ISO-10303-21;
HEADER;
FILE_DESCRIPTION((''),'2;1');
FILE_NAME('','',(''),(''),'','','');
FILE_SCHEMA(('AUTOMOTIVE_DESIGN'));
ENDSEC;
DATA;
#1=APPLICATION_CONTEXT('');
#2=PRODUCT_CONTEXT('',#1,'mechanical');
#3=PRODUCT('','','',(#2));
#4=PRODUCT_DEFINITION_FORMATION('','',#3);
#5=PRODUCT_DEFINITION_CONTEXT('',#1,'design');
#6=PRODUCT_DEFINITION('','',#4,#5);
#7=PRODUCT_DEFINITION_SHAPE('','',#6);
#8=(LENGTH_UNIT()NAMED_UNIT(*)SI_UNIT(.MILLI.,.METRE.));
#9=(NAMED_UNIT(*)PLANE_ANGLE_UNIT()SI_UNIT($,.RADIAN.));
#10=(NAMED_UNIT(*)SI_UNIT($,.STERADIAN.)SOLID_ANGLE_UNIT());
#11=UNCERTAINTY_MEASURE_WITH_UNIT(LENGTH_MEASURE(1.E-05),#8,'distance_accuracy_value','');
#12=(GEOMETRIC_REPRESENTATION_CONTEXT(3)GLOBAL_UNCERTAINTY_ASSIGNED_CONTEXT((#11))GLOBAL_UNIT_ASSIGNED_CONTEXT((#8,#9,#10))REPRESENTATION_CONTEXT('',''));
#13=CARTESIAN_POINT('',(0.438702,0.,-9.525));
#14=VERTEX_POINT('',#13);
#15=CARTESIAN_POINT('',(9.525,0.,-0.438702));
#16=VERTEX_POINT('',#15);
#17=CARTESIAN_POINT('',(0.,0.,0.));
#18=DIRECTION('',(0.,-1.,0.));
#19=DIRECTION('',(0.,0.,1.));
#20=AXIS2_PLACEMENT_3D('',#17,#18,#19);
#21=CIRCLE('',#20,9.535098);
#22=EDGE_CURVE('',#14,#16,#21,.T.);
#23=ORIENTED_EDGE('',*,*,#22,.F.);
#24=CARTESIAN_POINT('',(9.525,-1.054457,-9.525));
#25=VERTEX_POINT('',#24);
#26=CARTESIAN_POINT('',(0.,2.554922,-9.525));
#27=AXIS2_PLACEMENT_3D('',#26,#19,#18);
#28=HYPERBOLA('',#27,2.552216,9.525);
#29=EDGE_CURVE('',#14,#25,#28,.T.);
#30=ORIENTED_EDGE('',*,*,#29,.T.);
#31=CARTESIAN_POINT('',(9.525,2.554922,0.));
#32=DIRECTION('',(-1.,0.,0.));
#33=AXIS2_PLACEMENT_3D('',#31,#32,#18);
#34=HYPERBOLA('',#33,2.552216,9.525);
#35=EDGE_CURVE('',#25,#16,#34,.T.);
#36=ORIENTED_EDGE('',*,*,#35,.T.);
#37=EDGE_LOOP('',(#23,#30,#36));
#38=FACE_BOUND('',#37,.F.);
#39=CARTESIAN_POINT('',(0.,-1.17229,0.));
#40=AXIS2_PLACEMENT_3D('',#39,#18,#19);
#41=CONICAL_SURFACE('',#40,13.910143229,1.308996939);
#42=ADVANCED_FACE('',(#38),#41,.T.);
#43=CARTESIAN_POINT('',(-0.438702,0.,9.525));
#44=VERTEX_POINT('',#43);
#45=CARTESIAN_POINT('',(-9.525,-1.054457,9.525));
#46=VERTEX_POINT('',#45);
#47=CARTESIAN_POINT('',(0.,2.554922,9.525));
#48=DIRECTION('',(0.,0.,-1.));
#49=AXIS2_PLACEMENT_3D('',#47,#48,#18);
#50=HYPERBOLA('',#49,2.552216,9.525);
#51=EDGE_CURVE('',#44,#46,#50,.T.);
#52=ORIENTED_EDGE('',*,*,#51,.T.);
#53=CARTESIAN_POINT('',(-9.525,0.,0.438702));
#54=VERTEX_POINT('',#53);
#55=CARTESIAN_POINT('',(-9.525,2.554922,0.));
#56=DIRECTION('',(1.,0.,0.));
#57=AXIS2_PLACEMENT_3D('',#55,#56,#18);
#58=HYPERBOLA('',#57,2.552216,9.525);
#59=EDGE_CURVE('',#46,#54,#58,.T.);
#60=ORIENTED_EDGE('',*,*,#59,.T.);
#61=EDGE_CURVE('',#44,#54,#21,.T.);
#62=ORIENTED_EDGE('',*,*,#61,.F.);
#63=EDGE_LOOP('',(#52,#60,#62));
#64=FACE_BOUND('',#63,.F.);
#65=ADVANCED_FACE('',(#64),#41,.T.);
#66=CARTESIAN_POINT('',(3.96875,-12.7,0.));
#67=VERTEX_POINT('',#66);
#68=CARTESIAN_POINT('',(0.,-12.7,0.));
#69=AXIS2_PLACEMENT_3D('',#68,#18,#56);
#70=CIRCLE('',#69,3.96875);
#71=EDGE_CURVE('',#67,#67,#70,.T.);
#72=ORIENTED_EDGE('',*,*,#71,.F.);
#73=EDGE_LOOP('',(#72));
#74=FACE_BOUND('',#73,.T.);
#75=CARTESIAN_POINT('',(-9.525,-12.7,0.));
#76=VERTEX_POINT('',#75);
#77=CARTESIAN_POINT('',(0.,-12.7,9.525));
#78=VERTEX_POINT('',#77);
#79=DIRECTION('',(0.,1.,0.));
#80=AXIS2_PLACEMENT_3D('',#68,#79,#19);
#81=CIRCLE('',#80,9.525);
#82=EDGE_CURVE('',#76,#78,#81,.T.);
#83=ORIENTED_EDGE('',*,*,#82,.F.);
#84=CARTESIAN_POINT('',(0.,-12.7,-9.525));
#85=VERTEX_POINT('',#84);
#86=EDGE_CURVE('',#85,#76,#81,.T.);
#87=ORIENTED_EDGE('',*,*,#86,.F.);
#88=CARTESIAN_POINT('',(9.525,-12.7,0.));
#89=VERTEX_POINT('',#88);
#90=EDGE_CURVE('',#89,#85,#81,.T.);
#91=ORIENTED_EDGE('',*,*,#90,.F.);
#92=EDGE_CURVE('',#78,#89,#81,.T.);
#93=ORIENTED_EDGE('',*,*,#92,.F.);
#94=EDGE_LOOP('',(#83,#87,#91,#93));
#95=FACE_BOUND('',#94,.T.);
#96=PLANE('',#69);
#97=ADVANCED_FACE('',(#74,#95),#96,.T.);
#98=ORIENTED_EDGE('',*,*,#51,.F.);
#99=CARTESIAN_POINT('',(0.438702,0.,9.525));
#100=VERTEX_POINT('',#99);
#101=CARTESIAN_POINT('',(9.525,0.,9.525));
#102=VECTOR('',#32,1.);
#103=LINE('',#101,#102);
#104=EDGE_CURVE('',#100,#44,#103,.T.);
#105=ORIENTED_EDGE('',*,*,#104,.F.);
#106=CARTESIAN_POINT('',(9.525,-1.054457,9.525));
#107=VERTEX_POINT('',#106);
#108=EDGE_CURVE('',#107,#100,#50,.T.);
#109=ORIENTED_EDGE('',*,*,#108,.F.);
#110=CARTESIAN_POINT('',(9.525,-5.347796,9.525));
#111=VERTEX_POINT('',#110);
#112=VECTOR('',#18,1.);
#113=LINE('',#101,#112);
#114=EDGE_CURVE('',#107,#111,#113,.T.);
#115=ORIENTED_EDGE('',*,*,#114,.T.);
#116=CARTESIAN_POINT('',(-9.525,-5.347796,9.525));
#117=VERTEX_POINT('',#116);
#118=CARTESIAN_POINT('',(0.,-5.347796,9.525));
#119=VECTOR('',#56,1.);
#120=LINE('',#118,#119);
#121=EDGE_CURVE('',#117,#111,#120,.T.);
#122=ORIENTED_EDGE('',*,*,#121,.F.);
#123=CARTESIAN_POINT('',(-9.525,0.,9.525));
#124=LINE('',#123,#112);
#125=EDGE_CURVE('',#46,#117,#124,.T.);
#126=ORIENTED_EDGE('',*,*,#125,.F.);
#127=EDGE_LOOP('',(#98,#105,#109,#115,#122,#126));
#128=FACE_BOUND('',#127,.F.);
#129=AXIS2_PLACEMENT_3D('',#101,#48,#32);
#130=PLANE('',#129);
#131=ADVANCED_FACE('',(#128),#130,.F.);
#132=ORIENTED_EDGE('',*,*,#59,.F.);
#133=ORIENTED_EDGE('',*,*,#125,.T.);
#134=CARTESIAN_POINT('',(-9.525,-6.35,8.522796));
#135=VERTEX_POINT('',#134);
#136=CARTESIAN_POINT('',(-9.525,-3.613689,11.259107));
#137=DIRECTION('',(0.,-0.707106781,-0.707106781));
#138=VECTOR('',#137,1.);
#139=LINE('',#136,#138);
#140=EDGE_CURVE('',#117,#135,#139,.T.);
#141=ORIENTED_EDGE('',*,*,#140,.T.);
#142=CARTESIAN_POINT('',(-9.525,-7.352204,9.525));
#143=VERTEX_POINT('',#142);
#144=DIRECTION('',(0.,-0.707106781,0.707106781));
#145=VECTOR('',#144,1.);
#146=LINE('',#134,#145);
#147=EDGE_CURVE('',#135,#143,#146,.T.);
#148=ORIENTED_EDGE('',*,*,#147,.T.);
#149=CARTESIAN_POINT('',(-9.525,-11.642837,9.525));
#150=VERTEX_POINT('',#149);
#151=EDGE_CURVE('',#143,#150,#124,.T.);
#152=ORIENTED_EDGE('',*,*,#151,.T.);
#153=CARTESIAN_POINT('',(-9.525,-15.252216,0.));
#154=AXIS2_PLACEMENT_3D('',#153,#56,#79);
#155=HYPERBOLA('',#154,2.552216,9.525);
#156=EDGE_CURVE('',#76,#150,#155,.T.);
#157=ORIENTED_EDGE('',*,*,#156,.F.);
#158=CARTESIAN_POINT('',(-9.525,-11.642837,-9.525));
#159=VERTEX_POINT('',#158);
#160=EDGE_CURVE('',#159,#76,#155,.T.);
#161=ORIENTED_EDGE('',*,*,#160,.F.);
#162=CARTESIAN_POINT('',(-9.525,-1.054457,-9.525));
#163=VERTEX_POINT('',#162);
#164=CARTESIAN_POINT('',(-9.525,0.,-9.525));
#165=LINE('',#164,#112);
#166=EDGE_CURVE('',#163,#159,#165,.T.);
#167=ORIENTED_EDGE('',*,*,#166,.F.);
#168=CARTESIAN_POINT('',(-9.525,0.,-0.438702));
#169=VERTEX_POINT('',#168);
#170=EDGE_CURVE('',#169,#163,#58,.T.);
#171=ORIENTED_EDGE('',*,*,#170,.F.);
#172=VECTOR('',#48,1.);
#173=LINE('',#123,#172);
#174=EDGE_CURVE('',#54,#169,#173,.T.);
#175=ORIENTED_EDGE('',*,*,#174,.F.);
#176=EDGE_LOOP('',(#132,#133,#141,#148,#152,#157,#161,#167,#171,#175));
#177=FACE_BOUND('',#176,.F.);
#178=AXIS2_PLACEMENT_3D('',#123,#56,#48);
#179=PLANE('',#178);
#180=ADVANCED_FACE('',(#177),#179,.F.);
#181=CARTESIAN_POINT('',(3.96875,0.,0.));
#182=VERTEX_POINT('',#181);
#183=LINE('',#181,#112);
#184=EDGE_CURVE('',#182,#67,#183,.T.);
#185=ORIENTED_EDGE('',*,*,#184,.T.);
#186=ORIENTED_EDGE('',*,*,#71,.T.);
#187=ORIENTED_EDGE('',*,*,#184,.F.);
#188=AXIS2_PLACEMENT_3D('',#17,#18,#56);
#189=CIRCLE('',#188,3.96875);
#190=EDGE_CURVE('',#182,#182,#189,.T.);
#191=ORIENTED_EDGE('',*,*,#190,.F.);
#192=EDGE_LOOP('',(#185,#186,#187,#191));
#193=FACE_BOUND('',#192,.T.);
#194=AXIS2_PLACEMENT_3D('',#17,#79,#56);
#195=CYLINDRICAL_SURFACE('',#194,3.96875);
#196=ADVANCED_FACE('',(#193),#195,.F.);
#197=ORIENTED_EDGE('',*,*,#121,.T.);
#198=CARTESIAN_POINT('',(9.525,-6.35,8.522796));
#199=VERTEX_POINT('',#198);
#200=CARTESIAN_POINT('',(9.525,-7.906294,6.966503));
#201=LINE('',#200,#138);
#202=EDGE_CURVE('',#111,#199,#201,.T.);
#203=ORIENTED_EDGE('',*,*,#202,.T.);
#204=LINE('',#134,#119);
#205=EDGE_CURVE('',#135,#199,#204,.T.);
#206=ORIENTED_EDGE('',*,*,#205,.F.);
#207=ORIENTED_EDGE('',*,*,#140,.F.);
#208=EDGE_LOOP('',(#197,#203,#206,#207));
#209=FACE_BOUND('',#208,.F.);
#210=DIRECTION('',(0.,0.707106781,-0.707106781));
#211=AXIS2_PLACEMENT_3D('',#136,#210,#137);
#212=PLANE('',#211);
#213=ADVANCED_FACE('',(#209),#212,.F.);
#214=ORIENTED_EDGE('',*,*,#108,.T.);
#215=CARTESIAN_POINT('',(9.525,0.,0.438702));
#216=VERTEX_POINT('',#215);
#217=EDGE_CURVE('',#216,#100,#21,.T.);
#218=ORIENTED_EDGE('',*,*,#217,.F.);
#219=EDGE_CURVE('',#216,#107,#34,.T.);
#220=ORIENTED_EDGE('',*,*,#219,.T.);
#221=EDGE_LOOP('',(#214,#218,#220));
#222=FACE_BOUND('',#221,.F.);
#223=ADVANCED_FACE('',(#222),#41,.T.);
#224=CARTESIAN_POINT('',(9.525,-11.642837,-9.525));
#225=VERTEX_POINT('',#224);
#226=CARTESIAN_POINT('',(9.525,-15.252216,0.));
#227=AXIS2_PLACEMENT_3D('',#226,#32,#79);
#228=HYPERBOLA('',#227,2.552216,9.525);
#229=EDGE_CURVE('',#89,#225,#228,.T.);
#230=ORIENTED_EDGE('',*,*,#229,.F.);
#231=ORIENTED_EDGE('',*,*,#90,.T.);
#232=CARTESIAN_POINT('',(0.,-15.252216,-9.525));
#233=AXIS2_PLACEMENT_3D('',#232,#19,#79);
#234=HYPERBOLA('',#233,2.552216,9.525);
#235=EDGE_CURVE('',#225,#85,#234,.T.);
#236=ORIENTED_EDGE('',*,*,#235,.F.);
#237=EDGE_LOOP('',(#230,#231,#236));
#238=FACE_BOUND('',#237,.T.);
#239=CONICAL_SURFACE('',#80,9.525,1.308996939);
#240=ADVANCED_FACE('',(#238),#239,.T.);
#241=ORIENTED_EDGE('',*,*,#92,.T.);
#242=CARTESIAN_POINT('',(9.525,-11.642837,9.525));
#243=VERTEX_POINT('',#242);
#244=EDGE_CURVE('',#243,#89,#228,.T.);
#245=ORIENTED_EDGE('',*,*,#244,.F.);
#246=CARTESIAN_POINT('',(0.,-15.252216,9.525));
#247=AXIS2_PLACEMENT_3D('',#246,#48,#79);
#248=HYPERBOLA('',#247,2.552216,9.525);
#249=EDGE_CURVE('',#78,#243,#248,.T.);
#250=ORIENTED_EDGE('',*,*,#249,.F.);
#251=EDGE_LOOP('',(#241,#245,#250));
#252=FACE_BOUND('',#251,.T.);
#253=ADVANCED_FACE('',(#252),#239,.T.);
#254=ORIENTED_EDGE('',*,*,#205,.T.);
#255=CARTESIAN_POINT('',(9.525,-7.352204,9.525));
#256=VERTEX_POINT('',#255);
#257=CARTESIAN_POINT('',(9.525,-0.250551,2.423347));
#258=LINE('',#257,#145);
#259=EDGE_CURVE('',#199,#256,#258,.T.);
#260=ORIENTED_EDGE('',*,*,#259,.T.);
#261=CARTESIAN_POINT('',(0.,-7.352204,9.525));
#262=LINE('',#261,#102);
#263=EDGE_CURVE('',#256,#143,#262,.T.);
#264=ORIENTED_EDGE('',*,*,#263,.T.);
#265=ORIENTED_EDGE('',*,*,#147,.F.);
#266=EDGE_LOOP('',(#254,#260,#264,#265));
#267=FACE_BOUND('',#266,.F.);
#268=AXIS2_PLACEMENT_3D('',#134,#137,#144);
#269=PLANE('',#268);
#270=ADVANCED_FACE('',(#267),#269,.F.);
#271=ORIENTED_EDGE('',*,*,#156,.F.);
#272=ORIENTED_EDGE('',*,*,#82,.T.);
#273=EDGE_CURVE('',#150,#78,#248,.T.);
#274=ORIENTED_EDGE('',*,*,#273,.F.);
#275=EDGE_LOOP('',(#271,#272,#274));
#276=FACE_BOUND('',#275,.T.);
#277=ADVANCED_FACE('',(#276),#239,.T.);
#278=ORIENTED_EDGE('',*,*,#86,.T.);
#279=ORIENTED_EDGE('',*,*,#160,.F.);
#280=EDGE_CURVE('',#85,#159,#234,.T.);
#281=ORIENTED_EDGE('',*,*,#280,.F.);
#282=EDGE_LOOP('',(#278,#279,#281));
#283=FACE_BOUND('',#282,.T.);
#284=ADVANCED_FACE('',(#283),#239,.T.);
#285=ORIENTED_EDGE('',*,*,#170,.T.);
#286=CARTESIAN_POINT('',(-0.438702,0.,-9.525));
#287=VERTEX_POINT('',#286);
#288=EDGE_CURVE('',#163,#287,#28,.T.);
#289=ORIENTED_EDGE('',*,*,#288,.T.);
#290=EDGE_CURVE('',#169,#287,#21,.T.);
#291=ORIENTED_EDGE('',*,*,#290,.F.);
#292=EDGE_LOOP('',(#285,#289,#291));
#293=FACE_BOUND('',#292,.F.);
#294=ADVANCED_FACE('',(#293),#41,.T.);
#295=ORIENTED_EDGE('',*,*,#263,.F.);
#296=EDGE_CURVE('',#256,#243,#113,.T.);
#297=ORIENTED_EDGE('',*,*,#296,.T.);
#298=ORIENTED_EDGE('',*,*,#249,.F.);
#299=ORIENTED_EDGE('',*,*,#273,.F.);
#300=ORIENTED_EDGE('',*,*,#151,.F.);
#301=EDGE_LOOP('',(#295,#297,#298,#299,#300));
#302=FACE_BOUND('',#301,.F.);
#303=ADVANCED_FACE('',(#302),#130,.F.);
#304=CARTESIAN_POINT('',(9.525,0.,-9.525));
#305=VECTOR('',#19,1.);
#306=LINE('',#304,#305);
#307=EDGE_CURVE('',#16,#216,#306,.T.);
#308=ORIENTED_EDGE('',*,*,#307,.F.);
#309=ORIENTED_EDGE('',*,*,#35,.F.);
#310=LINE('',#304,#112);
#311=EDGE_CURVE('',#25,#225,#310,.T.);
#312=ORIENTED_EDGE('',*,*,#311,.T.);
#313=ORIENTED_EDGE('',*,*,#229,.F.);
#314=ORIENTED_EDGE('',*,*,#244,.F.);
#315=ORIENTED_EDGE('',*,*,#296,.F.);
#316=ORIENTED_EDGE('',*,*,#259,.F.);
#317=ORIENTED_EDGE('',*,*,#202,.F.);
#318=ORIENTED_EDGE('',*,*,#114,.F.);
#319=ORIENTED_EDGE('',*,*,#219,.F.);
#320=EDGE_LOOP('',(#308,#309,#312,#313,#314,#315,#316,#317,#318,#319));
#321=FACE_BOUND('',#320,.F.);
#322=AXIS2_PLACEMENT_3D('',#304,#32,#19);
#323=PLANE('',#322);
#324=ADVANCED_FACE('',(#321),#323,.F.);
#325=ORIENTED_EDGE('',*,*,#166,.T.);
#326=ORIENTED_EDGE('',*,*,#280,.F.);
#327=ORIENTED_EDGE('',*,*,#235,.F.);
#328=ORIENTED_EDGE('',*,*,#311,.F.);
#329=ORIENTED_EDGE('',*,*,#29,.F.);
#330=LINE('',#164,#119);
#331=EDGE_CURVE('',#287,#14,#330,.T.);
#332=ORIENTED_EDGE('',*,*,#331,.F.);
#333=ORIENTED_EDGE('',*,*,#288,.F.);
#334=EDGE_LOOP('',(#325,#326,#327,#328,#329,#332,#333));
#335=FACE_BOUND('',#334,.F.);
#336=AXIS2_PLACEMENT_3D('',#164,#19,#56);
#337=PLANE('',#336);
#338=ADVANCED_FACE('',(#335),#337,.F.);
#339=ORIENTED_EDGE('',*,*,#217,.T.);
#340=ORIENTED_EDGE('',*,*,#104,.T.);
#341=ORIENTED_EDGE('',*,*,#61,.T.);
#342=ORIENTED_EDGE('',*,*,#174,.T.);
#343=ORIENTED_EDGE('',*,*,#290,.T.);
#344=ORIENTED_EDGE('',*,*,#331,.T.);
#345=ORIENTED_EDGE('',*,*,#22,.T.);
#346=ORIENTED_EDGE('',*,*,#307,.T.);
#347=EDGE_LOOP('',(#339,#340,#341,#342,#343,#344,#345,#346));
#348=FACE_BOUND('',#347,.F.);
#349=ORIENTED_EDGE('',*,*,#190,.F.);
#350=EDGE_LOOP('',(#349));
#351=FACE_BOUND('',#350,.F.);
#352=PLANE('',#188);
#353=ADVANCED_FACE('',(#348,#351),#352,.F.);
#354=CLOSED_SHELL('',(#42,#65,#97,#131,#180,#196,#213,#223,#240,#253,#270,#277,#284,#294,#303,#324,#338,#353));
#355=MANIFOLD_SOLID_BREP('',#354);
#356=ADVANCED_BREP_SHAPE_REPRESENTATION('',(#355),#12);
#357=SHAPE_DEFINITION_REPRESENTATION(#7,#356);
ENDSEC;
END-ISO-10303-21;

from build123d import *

# Parameters (mm, degrees)
F0_R     = 3.96875
F1_DEPTH = 12.7
F5_DEPTH = 127


with BuildPart() as f1:
    # F0 (on Front) → F1 (new body)
    with BuildSketch(Plane.XZ):
        with BuildLine():
            ThreePointArc((0, -9.525), (6.7351920908, -6.7351920908), (9.525, 0))
            ThreePointArc((9.525, 0), (6.7351920908, 6.7351920908), (0, 9.525))
            ThreePointArc((0, 9.525), (-6.7351920908, 6.7351920908), (-9.525, 0))
            ThreePointArc((-9.525, 0), (-6.7351920908, -6.7351920908), (0, -9.525))
        make_face()
        Circle(F0_R, mode=Mode.SUBTRACT)
        with BuildLine():
            Line((9.525, -9.525), (9.525, 0))
            ThreePointArc((9.525, 0), (6.7351920908, -6.7351920908), (0, -9.525))
            Line((0, -9.525), (9.525, -9.525))
        make_face()
        with BuildLine():
            ThreePointArc((0, 9.525), (6.7351920908, 6.7351920908), (9.525, 0))
            Line((9.525, 0), (9.525, 9.525))
            Line((9.525, 9.525), (0, 9.525))
        make_face()
        with BuildLine():
            ThreePointArc((-9.525, 0), (-6.7351920908, 6.7351920908), (0, 9.525))
            Line((0, 9.525), (-9.525, 9.525))
            Line((-9.525, 9.525), (-9.525, 0))
        make_face()
        with BuildLine():
            Line((-9.525, -9.525), (0, -9.525))
            ThreePointArc((0, -9.525), (-6.7351920908, -6.7351920908), (-9.525, 0))
            Line((-9.525, 0), (-9.525, -9.525))
        make_face()
    extrude(amount=F1_DEPTH)

    # F4 (on face) → F5 (cut)
    with BuildSketch(Plane(origin=(-9.525, 0, 0), x_dir=(0, -1, 0), z_dir=(-1, 0, 0))):
        Polygon((3.6136890898, 11.2591073548), (6.35, 8.5227964446), (9.0863109102, 11.2591073548), align=None)
    extrude(amount=-F5_DEPTH, mode=Mode.SUBTRACT)

    # F6 (on face) → F7 (revolve, cut)
    with BuildSketch(Plane.YZ):
        Polygon((-12.7, 15.6255830079), (-12.7, 9.525), (-11.0653537097, 15.6255830079), align=None)
    revolve(axis=Axis((0, 0, 0), (0, 1, 0)), mode=Mode.SUBTRACT)

    # F8 (on face) → F9 (revolve, cut)
    with BuildSketch(Plane.YZ):
        Polygon((-1.1722899654, 13.910143229), (0, 9.5350975171), (0, 13.910143229), align=None)
    revolve(axis=Axis((0, 0, 0), (0, -1, 0)), mode=Mode.SUBTRACT)


solid = f1.part
